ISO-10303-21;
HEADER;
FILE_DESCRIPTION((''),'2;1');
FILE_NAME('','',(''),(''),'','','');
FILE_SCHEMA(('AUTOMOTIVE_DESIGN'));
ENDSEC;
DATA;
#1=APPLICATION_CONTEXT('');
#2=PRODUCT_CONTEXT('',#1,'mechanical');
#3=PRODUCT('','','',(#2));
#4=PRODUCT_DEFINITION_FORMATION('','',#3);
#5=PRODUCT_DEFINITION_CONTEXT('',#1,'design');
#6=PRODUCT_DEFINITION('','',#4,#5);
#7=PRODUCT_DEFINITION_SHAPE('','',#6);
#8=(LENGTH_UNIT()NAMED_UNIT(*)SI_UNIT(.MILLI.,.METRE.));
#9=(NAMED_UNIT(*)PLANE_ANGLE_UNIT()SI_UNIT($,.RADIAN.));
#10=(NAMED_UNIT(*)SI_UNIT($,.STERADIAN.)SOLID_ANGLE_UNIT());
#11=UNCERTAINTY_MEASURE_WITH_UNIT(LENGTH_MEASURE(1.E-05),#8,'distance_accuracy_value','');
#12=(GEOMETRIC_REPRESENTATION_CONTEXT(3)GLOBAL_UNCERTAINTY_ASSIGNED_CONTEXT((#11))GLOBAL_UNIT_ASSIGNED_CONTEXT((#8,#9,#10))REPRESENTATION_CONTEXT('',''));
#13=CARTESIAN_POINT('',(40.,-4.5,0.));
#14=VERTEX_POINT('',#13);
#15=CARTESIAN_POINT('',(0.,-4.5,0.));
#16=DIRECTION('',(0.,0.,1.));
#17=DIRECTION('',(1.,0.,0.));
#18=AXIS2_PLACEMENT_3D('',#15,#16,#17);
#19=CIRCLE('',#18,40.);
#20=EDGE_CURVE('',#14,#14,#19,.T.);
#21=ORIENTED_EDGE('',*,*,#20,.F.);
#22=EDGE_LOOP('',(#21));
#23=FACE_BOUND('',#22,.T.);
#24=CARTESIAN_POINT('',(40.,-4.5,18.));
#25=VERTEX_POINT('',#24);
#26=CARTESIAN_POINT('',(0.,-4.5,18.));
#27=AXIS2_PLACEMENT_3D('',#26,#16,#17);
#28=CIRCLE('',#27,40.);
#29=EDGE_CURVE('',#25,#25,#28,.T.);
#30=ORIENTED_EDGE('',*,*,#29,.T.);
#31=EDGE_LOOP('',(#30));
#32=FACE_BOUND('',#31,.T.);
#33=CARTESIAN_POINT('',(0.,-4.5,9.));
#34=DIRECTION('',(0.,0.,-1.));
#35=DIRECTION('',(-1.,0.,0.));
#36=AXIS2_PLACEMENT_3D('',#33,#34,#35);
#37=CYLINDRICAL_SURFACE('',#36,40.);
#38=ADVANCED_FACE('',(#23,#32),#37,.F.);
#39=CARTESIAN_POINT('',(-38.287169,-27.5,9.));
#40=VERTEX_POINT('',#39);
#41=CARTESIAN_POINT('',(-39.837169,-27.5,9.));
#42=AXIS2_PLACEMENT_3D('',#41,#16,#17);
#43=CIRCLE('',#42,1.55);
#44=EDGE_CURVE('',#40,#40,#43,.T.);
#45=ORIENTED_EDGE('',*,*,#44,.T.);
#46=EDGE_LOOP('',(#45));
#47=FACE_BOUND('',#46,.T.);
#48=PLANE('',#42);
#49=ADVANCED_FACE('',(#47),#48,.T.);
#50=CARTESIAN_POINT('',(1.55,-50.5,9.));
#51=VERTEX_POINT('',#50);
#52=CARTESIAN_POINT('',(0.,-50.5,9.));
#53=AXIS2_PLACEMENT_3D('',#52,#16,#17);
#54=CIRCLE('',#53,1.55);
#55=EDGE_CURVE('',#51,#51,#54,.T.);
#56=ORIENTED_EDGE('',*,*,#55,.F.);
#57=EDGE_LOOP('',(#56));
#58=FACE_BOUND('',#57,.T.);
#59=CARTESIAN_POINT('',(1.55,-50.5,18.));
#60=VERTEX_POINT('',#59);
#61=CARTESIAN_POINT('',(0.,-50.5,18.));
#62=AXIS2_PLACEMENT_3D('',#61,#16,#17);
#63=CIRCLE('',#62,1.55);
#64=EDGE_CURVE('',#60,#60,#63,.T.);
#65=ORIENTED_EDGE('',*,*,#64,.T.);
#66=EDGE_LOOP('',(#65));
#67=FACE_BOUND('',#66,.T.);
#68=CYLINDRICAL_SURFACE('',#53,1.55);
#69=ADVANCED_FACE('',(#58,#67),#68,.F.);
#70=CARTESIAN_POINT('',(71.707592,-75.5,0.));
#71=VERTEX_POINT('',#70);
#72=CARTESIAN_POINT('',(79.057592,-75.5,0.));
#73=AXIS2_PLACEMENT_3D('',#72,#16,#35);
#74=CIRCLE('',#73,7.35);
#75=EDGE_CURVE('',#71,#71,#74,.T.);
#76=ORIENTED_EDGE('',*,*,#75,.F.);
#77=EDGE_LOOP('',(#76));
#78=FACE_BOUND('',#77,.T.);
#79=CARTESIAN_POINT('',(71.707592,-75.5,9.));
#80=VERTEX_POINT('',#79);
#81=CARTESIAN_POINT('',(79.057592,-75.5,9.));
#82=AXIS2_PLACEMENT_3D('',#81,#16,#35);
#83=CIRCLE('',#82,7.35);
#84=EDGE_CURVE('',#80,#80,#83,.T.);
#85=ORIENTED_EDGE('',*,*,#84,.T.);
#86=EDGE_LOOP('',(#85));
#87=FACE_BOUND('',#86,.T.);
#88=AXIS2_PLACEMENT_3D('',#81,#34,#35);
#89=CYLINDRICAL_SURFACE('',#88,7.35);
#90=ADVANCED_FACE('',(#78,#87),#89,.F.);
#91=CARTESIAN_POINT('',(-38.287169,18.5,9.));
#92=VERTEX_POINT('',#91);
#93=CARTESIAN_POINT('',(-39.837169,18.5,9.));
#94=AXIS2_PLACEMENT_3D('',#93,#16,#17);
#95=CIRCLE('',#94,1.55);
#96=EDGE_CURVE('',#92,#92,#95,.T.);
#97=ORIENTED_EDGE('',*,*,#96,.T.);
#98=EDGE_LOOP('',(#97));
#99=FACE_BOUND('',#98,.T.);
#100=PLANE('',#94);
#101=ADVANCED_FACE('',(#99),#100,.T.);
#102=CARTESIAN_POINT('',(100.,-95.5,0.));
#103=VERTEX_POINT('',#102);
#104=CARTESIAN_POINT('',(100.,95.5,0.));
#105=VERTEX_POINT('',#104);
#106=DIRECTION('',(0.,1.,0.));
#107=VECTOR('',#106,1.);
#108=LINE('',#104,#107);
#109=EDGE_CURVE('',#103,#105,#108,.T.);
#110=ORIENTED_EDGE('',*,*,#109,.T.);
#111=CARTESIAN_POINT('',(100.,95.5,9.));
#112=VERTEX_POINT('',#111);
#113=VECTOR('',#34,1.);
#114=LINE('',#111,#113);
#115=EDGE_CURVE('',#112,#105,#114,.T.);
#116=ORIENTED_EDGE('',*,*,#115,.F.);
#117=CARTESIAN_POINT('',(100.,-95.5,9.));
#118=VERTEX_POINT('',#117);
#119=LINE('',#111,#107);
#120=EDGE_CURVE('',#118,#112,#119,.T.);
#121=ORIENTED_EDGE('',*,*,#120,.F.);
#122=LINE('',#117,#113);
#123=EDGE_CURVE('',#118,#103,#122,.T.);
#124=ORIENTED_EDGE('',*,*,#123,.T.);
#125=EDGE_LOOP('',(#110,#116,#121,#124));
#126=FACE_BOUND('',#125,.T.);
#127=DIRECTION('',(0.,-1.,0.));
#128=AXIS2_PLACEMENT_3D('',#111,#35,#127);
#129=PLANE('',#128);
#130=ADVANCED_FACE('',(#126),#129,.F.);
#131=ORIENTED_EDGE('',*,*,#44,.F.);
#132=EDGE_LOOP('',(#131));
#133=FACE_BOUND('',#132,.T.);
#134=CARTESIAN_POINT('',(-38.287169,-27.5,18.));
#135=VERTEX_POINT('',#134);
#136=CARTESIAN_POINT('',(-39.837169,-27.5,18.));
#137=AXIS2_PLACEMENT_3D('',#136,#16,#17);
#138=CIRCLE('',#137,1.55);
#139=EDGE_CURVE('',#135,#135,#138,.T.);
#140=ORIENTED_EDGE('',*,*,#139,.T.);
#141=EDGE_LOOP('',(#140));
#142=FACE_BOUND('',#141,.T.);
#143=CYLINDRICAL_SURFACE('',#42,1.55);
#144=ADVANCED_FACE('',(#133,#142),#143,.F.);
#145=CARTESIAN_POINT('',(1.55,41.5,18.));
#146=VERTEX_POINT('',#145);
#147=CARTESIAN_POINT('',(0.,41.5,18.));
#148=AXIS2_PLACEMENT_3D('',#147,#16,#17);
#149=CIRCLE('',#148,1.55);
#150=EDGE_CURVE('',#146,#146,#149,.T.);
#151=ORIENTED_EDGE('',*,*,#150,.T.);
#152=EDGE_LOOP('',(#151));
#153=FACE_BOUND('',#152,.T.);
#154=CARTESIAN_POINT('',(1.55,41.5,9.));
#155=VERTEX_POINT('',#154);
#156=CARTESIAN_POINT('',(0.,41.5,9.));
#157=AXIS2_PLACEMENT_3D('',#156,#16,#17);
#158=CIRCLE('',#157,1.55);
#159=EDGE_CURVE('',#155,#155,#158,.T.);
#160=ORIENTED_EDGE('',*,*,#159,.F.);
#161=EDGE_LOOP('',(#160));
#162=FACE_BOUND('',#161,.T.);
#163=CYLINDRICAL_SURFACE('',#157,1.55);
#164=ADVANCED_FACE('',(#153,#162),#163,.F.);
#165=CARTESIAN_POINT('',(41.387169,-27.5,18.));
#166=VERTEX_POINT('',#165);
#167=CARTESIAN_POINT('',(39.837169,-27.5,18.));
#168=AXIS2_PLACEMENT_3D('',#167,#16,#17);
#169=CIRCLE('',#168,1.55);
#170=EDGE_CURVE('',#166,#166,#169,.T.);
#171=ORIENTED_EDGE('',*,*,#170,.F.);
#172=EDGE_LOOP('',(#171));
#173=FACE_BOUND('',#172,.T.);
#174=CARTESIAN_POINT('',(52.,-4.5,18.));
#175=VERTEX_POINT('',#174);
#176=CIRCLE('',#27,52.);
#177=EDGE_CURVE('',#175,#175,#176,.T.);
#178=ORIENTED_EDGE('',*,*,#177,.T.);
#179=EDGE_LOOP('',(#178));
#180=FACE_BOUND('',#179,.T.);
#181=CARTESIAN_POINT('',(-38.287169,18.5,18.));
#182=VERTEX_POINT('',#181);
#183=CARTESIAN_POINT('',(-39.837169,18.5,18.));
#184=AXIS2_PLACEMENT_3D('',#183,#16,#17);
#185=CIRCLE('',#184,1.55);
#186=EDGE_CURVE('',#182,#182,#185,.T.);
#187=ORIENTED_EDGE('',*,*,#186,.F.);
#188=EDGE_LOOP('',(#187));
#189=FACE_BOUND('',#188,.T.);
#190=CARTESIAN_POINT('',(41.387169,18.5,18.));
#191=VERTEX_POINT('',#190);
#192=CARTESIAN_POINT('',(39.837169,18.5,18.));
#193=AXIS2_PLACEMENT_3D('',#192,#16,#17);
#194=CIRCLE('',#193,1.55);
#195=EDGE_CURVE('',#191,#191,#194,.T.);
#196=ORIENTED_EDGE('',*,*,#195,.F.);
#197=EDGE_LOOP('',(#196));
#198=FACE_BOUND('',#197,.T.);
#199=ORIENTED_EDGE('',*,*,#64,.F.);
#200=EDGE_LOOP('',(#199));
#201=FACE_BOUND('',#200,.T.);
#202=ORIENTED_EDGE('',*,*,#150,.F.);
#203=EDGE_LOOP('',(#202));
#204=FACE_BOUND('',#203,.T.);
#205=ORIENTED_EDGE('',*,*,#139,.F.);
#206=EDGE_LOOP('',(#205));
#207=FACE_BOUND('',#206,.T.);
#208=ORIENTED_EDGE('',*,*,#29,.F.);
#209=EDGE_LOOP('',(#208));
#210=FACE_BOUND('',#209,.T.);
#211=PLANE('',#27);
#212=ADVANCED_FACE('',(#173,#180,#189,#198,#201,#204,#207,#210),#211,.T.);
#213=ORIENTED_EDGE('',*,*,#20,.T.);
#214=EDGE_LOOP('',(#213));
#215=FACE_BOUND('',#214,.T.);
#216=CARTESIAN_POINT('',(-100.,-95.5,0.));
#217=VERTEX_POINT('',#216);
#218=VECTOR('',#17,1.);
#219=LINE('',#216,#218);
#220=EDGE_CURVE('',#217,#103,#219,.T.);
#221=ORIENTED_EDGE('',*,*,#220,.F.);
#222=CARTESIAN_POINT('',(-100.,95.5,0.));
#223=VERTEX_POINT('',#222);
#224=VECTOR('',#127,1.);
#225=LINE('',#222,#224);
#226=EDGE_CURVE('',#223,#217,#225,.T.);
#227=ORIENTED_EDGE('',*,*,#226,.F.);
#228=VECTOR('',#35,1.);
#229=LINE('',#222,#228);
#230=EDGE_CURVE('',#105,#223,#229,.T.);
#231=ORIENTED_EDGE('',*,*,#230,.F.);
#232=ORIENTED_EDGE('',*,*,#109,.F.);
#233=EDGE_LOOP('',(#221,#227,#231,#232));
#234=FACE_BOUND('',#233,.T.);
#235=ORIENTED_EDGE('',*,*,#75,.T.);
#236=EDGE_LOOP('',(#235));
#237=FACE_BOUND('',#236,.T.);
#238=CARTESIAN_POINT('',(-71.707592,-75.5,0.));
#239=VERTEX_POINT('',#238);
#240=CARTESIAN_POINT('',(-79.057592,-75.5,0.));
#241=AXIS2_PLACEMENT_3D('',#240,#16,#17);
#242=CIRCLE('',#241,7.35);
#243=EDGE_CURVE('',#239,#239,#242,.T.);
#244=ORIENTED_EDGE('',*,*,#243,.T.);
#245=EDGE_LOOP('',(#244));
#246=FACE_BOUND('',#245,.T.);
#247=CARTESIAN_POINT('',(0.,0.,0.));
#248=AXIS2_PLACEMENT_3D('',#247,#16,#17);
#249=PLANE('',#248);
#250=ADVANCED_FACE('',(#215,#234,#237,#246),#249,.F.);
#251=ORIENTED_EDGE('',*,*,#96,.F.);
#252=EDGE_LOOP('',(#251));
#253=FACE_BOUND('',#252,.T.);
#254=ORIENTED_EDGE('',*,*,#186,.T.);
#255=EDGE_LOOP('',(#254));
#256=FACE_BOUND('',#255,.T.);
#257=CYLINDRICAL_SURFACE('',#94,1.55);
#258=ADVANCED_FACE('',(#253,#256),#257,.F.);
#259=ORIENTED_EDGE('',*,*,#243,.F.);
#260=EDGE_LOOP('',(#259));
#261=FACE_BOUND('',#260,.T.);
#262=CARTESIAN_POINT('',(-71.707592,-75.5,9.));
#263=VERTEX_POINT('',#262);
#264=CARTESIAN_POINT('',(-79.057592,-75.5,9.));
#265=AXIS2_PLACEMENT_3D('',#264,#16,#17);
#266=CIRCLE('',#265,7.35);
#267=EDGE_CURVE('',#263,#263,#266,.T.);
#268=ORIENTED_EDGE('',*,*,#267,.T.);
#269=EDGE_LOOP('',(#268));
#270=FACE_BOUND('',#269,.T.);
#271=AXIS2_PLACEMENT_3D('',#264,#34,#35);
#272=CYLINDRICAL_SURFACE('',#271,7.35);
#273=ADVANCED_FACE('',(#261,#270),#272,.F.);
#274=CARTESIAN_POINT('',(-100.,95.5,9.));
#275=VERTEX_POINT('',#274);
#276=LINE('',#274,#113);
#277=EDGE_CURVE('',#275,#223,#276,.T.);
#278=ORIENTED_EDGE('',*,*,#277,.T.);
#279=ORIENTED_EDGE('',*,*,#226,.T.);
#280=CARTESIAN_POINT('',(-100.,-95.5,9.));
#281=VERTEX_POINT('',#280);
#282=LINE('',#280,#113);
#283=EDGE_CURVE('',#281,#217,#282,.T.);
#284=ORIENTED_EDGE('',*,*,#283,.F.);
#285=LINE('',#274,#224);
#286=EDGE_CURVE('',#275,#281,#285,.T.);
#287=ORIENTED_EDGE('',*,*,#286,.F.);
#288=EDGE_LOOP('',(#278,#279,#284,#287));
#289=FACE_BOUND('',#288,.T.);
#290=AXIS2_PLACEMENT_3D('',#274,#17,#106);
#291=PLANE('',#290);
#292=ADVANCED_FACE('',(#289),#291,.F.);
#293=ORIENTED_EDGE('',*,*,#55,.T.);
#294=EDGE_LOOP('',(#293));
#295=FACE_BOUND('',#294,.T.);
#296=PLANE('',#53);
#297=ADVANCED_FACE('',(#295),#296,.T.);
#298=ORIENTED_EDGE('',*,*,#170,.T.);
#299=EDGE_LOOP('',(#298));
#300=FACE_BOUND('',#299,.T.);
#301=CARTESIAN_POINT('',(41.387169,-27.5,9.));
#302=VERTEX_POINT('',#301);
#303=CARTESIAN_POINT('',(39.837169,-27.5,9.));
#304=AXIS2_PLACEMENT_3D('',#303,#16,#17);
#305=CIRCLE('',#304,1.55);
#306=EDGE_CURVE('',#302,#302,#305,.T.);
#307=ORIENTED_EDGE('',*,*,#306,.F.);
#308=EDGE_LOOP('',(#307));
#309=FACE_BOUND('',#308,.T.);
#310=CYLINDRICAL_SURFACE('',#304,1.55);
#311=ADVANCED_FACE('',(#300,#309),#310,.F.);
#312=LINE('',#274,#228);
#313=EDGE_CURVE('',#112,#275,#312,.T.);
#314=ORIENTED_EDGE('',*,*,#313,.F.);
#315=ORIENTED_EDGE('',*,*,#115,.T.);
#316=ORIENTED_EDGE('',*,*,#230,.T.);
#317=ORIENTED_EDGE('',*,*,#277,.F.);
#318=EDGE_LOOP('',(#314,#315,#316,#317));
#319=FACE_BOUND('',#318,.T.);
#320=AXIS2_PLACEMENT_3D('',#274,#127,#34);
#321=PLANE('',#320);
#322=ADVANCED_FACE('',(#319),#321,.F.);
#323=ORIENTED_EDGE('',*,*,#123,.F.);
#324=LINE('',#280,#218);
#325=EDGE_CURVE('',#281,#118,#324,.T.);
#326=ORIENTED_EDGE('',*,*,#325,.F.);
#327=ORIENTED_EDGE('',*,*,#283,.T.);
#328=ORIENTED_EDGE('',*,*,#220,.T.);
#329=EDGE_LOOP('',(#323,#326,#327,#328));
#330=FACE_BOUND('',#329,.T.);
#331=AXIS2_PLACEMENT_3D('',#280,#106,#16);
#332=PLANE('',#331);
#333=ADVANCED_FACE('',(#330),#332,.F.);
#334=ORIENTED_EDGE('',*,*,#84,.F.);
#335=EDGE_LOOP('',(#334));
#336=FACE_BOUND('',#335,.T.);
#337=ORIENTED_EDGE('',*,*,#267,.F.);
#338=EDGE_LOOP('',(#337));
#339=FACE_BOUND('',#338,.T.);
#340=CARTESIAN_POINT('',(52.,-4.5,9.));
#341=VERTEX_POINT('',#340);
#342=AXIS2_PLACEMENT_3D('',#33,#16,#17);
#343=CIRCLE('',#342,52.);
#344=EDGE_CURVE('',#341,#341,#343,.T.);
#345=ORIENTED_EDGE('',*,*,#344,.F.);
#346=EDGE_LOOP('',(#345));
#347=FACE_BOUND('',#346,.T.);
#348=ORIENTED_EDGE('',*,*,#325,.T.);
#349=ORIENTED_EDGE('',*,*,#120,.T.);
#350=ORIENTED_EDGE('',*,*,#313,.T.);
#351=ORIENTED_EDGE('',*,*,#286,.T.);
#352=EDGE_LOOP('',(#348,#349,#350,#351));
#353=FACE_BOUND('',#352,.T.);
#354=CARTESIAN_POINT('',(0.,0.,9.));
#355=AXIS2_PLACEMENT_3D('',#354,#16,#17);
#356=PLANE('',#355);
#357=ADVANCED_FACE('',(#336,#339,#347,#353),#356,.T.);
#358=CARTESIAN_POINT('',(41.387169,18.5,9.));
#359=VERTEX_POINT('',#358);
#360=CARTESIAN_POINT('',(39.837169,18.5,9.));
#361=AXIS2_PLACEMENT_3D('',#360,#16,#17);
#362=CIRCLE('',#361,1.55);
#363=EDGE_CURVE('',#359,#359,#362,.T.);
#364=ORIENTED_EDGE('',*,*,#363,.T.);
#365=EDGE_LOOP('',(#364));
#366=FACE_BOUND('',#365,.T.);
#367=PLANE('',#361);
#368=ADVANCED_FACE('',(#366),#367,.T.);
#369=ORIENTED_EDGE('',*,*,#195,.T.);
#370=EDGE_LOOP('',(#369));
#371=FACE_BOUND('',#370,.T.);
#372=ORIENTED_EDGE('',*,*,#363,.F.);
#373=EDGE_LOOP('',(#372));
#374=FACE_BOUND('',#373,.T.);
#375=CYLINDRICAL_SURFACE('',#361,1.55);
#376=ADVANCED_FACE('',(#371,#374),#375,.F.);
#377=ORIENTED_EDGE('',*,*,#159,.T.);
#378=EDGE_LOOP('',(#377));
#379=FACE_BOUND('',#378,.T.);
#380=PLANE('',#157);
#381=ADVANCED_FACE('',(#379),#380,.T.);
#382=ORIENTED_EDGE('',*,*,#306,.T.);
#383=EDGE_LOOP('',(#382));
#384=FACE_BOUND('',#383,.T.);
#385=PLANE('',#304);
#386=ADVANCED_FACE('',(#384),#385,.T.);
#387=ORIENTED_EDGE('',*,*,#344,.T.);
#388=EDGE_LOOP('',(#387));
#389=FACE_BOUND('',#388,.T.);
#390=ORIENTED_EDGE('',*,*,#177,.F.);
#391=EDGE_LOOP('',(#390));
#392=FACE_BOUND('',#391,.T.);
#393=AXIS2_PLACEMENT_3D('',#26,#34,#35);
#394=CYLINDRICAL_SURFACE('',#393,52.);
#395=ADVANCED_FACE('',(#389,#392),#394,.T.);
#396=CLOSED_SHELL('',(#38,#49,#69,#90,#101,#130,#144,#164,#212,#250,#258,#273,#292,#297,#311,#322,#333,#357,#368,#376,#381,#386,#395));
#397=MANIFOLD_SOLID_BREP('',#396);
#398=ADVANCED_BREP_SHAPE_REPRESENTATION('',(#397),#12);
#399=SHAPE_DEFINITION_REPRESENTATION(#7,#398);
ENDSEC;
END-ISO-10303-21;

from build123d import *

# Parameters (mm, degrees)
SKETCH_1_W          = 200
SKETCH_1_H          = 191
SKETCH_1_R          = 40
SKETCH_1_R_2        = 7.35
EXTRUDE_1_DEPTH     = 9
SKETCH_2_R          = 52
SKETCH_2_R_2        = 40
EXTRUDE_2_DEPTH     = 9
SKETCH_3_R          = 1.55
CUT_EXTRUDE_1_DEPTH = 9


with BuildPart() as part:
    # 草图1 → 凸台-拉伸1 (new body)
    with BuildSketch(Plane.XY):
        Rectangle(SKETCH_1_W, SKETCH_1_H)
        with Locations((0, -4.5)):
            Circle(SKETCH_1_R, mode=Mode.SUBTRACT)
        with Locations((-79.057591623, -75.5)):
            Circle(SKETCH_1_R_2, mode=Mode.SUBTRACT)
        with Locations((79.057591623, -75.5)):
            Circle(SKETCH_1_R_2, mode=Mode.SUBTRACT)
    extrude(amount=EXTRUDE_1_DEPTH)

    # 草图2 → 凸台-拉伸2 (add)
    with BuildSketch(Plane.XY.offset(9)):
        with Locations((0, -4.5)):
            Circle(SKETCH_2_R)
        with Locations((0, -4.5)):
            Circle(SKETCH_2_R_2, mode=Mode.SUBTRACT)
    extrude(amount=EXTRUDE_2_DEPTH)

    # 草图3 → 切除-拉伸1 (cut)
    with BuildSketch(Plane.XY.offset(18)):
        with Locations((1e-09, 41.5)):
            Circle(SKETCH_3_R)
        with Locations((39.837168574, 18.5)):
            Circle(SKETCH_3_R)
        with Locations((39.837168574, -27.5)):
            Circle(SKETCH_3_R)
        with Locations((0, -50.5)):
            Circle(SKETCH_3_R)
        with Locations((-39.837168574, -27.5)):
            Circle(SKETCH_3_R)
        with Locations((-39.837168574, 18.5)):
            Circle(SKETCH_3_R)
    extrude(amount=-CUT_EXTRUDE_1_DEPTH, mode=Mode.SUBTRACT)


solid = part.part
